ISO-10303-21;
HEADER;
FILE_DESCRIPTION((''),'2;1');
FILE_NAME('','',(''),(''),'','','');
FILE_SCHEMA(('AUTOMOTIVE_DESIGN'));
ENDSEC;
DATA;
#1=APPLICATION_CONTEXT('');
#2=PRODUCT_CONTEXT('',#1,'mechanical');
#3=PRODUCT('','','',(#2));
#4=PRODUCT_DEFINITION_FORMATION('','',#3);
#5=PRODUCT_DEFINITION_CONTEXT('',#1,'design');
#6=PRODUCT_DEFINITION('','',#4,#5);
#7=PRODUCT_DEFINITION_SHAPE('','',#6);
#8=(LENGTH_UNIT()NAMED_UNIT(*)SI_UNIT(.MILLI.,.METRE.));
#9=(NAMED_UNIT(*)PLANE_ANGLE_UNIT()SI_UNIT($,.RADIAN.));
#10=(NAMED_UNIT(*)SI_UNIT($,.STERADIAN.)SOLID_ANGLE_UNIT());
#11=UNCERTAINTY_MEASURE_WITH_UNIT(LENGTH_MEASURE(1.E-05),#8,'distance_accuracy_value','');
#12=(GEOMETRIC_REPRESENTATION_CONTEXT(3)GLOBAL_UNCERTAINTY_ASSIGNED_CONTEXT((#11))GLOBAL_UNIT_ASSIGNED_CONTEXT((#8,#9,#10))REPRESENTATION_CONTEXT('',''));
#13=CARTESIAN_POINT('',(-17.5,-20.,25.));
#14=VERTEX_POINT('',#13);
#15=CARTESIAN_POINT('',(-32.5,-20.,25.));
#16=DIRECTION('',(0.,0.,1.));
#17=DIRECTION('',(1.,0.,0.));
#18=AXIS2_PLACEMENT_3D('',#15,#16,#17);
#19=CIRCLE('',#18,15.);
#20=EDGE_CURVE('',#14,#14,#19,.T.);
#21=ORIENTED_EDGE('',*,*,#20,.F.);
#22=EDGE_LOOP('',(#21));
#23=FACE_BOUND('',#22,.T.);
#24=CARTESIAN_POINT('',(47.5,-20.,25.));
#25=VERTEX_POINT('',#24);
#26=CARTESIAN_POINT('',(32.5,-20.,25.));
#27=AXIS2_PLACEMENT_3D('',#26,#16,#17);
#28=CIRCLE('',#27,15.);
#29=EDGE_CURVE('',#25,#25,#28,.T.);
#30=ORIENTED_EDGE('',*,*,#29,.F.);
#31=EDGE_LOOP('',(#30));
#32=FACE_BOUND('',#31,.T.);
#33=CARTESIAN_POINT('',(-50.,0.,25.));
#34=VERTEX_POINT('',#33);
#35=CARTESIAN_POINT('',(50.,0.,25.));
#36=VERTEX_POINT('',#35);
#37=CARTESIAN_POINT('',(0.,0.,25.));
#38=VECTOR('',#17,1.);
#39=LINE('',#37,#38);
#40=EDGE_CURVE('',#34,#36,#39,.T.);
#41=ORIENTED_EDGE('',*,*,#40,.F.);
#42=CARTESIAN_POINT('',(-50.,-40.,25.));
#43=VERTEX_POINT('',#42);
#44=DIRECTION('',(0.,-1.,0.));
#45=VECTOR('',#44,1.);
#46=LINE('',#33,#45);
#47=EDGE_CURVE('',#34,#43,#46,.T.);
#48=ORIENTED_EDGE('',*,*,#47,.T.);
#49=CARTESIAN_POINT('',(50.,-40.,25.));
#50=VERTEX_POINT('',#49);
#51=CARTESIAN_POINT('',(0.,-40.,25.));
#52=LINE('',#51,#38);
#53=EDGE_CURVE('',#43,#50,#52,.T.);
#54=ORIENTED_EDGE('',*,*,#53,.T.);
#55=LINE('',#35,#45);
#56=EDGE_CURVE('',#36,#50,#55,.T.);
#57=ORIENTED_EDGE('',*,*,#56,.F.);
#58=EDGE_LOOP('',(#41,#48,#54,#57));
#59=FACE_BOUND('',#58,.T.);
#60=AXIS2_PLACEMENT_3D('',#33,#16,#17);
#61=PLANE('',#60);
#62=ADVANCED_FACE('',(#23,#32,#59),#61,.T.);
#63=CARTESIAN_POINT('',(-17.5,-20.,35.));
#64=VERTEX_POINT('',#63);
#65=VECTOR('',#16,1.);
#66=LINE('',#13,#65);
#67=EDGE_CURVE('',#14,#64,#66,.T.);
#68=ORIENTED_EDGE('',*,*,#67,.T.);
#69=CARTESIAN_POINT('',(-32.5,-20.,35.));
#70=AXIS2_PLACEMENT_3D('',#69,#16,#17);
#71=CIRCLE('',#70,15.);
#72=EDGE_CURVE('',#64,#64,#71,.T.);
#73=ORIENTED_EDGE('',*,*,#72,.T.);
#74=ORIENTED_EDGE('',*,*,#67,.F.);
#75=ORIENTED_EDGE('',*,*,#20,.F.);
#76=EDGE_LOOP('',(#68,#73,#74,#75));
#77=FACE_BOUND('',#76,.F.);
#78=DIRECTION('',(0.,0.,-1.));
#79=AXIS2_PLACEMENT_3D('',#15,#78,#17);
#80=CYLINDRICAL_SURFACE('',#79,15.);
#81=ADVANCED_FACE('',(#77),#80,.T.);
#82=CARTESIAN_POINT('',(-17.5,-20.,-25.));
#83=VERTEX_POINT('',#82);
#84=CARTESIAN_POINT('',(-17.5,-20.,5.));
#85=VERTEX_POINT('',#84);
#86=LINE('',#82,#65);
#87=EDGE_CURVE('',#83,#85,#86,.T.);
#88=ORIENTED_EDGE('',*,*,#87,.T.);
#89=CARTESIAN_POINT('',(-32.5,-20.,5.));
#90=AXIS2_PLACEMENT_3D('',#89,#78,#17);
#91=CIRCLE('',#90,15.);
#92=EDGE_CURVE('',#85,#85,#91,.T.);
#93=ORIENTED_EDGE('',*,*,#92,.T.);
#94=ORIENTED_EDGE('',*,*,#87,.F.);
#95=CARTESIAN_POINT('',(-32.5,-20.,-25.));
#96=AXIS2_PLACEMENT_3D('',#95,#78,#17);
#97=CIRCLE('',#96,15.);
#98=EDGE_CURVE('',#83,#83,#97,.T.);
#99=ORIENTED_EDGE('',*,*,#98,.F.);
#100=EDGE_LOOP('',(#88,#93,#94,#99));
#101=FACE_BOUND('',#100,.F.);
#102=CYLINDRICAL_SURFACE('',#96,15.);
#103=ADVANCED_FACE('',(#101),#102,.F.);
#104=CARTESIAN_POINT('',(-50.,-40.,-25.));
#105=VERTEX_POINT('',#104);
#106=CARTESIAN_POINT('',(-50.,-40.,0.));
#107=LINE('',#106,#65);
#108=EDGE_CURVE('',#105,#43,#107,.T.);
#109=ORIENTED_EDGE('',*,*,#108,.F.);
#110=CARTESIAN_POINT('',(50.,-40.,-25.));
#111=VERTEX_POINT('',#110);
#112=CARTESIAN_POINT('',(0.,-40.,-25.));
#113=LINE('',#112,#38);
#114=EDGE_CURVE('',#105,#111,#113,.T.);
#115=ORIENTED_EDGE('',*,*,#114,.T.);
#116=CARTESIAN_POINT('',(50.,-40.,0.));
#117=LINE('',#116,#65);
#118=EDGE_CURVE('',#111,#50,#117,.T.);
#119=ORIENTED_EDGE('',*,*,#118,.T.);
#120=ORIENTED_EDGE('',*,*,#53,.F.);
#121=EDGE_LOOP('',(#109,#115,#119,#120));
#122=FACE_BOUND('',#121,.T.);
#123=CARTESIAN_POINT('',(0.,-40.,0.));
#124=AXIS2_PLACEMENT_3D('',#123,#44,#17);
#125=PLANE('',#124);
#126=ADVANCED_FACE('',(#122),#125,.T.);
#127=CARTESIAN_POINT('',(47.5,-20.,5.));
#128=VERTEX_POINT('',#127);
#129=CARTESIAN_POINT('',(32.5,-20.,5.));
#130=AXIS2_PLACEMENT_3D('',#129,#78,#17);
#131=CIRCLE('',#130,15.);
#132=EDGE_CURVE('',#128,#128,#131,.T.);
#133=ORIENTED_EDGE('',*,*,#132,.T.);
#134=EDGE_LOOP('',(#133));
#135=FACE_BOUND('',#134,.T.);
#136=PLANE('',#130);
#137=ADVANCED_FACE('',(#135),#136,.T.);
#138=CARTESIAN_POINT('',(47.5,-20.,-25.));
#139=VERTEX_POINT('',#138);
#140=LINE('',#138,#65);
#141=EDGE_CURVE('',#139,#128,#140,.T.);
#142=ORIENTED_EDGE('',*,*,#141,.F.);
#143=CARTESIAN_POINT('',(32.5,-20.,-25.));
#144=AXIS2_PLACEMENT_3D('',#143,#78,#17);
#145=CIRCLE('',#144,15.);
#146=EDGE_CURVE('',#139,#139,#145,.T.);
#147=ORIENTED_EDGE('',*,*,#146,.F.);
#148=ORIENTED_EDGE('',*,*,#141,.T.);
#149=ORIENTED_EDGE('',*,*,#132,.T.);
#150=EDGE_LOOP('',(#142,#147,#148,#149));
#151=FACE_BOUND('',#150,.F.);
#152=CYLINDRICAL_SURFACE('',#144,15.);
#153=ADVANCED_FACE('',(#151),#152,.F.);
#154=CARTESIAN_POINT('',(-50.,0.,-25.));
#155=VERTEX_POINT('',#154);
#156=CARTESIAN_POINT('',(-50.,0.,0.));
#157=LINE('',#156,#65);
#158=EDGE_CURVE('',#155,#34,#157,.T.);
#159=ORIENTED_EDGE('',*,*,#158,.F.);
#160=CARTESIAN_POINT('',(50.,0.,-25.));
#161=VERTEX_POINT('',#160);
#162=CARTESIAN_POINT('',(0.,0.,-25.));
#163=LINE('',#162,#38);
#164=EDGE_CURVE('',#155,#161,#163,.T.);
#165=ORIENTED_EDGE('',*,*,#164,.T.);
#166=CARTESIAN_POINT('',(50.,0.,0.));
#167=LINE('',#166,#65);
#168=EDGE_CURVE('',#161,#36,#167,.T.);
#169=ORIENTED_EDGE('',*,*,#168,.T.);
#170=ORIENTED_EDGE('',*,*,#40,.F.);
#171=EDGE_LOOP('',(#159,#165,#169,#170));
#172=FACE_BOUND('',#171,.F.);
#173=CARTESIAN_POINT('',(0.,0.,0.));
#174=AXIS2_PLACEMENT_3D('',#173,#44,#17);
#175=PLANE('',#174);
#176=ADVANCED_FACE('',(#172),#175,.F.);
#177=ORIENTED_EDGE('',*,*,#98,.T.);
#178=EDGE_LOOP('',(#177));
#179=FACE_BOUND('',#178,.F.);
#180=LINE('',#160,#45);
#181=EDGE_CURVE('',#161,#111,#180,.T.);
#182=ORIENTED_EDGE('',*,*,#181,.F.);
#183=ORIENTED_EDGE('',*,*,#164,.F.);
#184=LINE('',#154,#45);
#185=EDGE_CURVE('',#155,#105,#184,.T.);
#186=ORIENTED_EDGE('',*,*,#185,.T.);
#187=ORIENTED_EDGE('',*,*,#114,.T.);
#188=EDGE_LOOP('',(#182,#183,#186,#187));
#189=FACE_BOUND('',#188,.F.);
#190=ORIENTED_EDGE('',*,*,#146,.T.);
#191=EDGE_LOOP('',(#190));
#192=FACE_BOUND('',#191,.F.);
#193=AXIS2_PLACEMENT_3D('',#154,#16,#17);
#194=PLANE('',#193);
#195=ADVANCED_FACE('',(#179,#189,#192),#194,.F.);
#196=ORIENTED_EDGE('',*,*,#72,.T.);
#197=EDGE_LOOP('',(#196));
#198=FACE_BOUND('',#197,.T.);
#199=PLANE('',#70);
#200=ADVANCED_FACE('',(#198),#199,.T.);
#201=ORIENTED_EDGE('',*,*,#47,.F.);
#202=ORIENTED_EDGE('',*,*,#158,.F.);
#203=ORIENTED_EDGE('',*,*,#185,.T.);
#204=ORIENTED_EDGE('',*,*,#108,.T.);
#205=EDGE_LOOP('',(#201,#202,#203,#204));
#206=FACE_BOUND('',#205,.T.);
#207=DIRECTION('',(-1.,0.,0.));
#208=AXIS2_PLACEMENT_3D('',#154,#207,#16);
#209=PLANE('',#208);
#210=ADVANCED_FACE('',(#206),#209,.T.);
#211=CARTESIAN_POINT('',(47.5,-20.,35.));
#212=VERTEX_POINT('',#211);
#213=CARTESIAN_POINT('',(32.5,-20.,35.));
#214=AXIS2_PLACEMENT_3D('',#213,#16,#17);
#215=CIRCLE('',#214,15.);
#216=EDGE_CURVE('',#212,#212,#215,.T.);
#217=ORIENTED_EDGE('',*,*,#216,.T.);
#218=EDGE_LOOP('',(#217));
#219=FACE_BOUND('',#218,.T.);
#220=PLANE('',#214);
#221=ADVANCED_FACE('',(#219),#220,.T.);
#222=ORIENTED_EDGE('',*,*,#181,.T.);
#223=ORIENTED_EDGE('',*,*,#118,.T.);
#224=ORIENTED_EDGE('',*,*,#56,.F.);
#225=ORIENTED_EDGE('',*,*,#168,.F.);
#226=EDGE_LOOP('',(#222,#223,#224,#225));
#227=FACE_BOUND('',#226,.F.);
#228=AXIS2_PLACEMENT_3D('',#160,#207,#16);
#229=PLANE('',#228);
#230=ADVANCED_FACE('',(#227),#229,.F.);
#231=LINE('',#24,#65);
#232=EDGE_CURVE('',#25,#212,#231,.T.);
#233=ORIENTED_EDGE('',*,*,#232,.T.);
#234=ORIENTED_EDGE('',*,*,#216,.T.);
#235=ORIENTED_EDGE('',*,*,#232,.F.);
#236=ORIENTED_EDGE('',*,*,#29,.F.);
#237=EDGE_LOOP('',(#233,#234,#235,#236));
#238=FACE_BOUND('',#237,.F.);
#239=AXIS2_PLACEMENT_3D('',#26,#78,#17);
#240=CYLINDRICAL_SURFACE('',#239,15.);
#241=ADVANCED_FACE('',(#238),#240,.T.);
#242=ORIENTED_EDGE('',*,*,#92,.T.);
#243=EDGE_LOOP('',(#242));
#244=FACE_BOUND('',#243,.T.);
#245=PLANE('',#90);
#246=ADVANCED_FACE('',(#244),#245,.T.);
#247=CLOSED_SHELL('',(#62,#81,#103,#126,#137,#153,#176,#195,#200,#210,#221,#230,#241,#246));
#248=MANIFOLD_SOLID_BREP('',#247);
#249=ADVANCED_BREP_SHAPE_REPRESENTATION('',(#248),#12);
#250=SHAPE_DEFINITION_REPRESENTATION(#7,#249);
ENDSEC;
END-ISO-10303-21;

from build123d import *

# Parameters (mm, degrees)
F0_W     = 100
F0_H     = 50
F1_DEPTH = 40
F2_R     = 15
F3_DEPTH = 10
F4_R     = 15
F5_DEPTH = 30


with BuildPart() as f1:
    # F0 (on Front) → F1 (new body)
    with BuildSketch(Plane.XZ):
        Rectangle(F0_W, F0_H)
    extrude(amount=F1_DEPTH)

    # F2 (on face) → F3 (join)
    with BuildSketch(Plane.XY.offset(25)):
        with Locations((-32.5, -20)):
            Circle(F2_R)
        with Locations((32.5, -20)):
            Circle(F2_R)
    extrude(amount=F3_DEPTH)

    # F4 (on face) → F5 (cut)
    with BuildSketch(Plane(origin=(0, 0, -25), x_dir=(1, 0, 0), z_dir=(0, 0, -1))):
        with Locations((-32.5, 20)):
            Circle(F4_R)
        with Locations((32.5, 20)):
            Circle(F4_R)
    extrude(amount=-F5_DEPTH, mode=Mode.SUBTRACT)


solid = f1.part
